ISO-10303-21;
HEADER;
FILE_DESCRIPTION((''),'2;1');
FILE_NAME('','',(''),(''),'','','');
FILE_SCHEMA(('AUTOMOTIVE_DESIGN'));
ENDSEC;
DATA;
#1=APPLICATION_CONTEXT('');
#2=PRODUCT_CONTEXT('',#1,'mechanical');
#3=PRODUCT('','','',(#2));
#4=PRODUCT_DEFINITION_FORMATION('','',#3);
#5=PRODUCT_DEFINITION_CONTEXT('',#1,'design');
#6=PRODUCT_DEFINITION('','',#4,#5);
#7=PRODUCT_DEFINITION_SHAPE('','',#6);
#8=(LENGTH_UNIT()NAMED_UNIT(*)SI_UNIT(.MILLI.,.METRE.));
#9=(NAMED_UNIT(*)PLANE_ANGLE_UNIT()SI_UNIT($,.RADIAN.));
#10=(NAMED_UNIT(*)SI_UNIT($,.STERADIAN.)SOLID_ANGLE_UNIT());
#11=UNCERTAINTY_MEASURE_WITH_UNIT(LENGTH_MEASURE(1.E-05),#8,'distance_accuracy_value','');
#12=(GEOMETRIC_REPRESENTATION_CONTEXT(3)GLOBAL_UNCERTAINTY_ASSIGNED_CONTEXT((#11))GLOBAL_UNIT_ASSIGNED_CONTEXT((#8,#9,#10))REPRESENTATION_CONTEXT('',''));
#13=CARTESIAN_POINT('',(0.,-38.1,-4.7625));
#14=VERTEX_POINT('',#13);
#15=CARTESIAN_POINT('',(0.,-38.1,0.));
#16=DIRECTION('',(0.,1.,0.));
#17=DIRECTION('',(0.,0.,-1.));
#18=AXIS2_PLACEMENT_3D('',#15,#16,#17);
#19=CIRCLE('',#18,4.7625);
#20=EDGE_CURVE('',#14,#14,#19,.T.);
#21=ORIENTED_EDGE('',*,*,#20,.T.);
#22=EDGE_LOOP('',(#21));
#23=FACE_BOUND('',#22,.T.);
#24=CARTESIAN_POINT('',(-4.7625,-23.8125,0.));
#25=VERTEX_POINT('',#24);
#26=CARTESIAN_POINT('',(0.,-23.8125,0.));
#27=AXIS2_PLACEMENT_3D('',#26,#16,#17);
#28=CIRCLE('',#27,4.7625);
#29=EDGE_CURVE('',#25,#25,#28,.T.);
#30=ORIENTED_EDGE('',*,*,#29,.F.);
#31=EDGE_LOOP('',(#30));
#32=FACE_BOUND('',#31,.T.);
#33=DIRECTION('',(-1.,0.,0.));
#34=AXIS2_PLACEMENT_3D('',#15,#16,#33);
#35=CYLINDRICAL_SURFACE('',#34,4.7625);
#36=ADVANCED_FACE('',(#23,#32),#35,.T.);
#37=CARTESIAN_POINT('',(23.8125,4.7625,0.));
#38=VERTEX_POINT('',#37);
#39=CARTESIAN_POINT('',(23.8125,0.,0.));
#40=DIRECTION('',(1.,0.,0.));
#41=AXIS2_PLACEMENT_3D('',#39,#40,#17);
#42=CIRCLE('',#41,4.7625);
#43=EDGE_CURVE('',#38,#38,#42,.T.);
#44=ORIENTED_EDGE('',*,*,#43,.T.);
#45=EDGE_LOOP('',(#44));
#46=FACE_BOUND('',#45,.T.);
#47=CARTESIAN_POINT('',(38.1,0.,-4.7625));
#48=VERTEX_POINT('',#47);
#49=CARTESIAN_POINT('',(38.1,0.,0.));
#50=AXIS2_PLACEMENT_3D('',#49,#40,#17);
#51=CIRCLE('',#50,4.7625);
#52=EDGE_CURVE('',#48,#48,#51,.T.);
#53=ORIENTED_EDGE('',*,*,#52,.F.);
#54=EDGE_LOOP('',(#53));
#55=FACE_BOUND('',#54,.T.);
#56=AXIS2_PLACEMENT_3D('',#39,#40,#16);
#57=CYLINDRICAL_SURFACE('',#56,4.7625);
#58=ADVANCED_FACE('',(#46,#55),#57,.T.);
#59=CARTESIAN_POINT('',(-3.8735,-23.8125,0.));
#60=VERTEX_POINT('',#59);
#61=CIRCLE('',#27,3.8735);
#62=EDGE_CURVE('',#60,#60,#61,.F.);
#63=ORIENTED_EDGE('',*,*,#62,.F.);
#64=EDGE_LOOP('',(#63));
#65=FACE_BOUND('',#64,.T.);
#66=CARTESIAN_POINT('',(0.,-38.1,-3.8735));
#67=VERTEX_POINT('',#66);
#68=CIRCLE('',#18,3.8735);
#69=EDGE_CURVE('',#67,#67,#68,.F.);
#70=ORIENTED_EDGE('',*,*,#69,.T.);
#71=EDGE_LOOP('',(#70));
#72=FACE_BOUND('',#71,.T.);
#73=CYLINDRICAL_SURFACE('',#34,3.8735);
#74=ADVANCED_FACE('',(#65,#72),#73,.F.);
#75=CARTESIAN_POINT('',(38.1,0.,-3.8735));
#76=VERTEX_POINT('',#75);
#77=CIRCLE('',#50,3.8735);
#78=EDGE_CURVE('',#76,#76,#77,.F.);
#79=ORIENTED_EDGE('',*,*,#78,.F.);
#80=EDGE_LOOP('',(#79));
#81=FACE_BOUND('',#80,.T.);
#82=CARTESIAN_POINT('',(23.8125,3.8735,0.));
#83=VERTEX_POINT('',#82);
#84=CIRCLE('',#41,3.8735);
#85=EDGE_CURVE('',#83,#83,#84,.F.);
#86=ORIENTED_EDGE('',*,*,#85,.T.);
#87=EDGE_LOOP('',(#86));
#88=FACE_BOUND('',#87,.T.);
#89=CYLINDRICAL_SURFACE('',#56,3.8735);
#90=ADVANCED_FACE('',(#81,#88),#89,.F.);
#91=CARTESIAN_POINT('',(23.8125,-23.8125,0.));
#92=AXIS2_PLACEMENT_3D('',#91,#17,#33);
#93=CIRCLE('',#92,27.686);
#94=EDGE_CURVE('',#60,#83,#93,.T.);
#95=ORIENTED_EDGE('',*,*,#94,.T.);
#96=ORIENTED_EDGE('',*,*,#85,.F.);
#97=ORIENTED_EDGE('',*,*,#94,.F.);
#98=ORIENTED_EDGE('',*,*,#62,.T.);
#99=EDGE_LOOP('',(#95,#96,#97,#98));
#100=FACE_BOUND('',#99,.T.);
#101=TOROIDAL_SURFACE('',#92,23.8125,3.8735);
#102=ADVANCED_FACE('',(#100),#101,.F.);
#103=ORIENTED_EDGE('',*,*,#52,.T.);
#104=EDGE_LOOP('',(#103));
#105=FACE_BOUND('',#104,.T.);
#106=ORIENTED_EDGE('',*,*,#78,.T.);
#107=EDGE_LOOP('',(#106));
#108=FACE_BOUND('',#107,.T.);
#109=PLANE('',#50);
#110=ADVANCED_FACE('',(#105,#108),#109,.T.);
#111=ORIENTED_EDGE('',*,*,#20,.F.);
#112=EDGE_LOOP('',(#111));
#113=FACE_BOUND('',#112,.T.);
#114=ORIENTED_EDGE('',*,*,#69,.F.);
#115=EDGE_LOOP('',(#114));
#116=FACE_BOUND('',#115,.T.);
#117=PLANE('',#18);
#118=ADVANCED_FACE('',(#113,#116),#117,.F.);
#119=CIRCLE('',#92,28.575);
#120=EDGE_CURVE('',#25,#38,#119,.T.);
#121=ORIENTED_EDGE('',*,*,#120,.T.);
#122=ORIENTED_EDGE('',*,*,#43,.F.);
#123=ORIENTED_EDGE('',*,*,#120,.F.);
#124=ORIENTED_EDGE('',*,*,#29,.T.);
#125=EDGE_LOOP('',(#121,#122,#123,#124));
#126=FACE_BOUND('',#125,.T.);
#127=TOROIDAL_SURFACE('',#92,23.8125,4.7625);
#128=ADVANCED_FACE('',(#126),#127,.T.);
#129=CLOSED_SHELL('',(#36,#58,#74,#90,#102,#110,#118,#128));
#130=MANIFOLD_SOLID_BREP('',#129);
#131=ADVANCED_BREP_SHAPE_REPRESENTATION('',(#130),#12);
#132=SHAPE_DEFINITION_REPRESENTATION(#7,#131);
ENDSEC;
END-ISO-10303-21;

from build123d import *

# Parameters (mm, degrees)
SKETCH2_R   = 4.7625
SKETCH2_R_2 = 3.8735


with BuildPart() as part:
    # Sweep1: sweep along a path in Sketch1
    with BuildLine(Plane.XY) as sweep1_path:
        Line((0, -38.1), (0, -23.8125))
        ThreePointArc((0, -23.8125), (6.974519773, -6.974519773), (23.8125, 0))
        Line((23.8125, 0), (38.1, 0))
    # Sketch2 → Sweep1 (sweep)
    with BuildSketch(Plane(origin=(38.1, 0, 0), x_dir=(0, 0, -1), z_dir=(1, 0, 0))):
        Circle(SKETCH2_R)
        Circle(SKETCH2_R_2, mode=Mode.SUBTRACT)
    sweep(path=sweep1_path.line)


solid = part.part
